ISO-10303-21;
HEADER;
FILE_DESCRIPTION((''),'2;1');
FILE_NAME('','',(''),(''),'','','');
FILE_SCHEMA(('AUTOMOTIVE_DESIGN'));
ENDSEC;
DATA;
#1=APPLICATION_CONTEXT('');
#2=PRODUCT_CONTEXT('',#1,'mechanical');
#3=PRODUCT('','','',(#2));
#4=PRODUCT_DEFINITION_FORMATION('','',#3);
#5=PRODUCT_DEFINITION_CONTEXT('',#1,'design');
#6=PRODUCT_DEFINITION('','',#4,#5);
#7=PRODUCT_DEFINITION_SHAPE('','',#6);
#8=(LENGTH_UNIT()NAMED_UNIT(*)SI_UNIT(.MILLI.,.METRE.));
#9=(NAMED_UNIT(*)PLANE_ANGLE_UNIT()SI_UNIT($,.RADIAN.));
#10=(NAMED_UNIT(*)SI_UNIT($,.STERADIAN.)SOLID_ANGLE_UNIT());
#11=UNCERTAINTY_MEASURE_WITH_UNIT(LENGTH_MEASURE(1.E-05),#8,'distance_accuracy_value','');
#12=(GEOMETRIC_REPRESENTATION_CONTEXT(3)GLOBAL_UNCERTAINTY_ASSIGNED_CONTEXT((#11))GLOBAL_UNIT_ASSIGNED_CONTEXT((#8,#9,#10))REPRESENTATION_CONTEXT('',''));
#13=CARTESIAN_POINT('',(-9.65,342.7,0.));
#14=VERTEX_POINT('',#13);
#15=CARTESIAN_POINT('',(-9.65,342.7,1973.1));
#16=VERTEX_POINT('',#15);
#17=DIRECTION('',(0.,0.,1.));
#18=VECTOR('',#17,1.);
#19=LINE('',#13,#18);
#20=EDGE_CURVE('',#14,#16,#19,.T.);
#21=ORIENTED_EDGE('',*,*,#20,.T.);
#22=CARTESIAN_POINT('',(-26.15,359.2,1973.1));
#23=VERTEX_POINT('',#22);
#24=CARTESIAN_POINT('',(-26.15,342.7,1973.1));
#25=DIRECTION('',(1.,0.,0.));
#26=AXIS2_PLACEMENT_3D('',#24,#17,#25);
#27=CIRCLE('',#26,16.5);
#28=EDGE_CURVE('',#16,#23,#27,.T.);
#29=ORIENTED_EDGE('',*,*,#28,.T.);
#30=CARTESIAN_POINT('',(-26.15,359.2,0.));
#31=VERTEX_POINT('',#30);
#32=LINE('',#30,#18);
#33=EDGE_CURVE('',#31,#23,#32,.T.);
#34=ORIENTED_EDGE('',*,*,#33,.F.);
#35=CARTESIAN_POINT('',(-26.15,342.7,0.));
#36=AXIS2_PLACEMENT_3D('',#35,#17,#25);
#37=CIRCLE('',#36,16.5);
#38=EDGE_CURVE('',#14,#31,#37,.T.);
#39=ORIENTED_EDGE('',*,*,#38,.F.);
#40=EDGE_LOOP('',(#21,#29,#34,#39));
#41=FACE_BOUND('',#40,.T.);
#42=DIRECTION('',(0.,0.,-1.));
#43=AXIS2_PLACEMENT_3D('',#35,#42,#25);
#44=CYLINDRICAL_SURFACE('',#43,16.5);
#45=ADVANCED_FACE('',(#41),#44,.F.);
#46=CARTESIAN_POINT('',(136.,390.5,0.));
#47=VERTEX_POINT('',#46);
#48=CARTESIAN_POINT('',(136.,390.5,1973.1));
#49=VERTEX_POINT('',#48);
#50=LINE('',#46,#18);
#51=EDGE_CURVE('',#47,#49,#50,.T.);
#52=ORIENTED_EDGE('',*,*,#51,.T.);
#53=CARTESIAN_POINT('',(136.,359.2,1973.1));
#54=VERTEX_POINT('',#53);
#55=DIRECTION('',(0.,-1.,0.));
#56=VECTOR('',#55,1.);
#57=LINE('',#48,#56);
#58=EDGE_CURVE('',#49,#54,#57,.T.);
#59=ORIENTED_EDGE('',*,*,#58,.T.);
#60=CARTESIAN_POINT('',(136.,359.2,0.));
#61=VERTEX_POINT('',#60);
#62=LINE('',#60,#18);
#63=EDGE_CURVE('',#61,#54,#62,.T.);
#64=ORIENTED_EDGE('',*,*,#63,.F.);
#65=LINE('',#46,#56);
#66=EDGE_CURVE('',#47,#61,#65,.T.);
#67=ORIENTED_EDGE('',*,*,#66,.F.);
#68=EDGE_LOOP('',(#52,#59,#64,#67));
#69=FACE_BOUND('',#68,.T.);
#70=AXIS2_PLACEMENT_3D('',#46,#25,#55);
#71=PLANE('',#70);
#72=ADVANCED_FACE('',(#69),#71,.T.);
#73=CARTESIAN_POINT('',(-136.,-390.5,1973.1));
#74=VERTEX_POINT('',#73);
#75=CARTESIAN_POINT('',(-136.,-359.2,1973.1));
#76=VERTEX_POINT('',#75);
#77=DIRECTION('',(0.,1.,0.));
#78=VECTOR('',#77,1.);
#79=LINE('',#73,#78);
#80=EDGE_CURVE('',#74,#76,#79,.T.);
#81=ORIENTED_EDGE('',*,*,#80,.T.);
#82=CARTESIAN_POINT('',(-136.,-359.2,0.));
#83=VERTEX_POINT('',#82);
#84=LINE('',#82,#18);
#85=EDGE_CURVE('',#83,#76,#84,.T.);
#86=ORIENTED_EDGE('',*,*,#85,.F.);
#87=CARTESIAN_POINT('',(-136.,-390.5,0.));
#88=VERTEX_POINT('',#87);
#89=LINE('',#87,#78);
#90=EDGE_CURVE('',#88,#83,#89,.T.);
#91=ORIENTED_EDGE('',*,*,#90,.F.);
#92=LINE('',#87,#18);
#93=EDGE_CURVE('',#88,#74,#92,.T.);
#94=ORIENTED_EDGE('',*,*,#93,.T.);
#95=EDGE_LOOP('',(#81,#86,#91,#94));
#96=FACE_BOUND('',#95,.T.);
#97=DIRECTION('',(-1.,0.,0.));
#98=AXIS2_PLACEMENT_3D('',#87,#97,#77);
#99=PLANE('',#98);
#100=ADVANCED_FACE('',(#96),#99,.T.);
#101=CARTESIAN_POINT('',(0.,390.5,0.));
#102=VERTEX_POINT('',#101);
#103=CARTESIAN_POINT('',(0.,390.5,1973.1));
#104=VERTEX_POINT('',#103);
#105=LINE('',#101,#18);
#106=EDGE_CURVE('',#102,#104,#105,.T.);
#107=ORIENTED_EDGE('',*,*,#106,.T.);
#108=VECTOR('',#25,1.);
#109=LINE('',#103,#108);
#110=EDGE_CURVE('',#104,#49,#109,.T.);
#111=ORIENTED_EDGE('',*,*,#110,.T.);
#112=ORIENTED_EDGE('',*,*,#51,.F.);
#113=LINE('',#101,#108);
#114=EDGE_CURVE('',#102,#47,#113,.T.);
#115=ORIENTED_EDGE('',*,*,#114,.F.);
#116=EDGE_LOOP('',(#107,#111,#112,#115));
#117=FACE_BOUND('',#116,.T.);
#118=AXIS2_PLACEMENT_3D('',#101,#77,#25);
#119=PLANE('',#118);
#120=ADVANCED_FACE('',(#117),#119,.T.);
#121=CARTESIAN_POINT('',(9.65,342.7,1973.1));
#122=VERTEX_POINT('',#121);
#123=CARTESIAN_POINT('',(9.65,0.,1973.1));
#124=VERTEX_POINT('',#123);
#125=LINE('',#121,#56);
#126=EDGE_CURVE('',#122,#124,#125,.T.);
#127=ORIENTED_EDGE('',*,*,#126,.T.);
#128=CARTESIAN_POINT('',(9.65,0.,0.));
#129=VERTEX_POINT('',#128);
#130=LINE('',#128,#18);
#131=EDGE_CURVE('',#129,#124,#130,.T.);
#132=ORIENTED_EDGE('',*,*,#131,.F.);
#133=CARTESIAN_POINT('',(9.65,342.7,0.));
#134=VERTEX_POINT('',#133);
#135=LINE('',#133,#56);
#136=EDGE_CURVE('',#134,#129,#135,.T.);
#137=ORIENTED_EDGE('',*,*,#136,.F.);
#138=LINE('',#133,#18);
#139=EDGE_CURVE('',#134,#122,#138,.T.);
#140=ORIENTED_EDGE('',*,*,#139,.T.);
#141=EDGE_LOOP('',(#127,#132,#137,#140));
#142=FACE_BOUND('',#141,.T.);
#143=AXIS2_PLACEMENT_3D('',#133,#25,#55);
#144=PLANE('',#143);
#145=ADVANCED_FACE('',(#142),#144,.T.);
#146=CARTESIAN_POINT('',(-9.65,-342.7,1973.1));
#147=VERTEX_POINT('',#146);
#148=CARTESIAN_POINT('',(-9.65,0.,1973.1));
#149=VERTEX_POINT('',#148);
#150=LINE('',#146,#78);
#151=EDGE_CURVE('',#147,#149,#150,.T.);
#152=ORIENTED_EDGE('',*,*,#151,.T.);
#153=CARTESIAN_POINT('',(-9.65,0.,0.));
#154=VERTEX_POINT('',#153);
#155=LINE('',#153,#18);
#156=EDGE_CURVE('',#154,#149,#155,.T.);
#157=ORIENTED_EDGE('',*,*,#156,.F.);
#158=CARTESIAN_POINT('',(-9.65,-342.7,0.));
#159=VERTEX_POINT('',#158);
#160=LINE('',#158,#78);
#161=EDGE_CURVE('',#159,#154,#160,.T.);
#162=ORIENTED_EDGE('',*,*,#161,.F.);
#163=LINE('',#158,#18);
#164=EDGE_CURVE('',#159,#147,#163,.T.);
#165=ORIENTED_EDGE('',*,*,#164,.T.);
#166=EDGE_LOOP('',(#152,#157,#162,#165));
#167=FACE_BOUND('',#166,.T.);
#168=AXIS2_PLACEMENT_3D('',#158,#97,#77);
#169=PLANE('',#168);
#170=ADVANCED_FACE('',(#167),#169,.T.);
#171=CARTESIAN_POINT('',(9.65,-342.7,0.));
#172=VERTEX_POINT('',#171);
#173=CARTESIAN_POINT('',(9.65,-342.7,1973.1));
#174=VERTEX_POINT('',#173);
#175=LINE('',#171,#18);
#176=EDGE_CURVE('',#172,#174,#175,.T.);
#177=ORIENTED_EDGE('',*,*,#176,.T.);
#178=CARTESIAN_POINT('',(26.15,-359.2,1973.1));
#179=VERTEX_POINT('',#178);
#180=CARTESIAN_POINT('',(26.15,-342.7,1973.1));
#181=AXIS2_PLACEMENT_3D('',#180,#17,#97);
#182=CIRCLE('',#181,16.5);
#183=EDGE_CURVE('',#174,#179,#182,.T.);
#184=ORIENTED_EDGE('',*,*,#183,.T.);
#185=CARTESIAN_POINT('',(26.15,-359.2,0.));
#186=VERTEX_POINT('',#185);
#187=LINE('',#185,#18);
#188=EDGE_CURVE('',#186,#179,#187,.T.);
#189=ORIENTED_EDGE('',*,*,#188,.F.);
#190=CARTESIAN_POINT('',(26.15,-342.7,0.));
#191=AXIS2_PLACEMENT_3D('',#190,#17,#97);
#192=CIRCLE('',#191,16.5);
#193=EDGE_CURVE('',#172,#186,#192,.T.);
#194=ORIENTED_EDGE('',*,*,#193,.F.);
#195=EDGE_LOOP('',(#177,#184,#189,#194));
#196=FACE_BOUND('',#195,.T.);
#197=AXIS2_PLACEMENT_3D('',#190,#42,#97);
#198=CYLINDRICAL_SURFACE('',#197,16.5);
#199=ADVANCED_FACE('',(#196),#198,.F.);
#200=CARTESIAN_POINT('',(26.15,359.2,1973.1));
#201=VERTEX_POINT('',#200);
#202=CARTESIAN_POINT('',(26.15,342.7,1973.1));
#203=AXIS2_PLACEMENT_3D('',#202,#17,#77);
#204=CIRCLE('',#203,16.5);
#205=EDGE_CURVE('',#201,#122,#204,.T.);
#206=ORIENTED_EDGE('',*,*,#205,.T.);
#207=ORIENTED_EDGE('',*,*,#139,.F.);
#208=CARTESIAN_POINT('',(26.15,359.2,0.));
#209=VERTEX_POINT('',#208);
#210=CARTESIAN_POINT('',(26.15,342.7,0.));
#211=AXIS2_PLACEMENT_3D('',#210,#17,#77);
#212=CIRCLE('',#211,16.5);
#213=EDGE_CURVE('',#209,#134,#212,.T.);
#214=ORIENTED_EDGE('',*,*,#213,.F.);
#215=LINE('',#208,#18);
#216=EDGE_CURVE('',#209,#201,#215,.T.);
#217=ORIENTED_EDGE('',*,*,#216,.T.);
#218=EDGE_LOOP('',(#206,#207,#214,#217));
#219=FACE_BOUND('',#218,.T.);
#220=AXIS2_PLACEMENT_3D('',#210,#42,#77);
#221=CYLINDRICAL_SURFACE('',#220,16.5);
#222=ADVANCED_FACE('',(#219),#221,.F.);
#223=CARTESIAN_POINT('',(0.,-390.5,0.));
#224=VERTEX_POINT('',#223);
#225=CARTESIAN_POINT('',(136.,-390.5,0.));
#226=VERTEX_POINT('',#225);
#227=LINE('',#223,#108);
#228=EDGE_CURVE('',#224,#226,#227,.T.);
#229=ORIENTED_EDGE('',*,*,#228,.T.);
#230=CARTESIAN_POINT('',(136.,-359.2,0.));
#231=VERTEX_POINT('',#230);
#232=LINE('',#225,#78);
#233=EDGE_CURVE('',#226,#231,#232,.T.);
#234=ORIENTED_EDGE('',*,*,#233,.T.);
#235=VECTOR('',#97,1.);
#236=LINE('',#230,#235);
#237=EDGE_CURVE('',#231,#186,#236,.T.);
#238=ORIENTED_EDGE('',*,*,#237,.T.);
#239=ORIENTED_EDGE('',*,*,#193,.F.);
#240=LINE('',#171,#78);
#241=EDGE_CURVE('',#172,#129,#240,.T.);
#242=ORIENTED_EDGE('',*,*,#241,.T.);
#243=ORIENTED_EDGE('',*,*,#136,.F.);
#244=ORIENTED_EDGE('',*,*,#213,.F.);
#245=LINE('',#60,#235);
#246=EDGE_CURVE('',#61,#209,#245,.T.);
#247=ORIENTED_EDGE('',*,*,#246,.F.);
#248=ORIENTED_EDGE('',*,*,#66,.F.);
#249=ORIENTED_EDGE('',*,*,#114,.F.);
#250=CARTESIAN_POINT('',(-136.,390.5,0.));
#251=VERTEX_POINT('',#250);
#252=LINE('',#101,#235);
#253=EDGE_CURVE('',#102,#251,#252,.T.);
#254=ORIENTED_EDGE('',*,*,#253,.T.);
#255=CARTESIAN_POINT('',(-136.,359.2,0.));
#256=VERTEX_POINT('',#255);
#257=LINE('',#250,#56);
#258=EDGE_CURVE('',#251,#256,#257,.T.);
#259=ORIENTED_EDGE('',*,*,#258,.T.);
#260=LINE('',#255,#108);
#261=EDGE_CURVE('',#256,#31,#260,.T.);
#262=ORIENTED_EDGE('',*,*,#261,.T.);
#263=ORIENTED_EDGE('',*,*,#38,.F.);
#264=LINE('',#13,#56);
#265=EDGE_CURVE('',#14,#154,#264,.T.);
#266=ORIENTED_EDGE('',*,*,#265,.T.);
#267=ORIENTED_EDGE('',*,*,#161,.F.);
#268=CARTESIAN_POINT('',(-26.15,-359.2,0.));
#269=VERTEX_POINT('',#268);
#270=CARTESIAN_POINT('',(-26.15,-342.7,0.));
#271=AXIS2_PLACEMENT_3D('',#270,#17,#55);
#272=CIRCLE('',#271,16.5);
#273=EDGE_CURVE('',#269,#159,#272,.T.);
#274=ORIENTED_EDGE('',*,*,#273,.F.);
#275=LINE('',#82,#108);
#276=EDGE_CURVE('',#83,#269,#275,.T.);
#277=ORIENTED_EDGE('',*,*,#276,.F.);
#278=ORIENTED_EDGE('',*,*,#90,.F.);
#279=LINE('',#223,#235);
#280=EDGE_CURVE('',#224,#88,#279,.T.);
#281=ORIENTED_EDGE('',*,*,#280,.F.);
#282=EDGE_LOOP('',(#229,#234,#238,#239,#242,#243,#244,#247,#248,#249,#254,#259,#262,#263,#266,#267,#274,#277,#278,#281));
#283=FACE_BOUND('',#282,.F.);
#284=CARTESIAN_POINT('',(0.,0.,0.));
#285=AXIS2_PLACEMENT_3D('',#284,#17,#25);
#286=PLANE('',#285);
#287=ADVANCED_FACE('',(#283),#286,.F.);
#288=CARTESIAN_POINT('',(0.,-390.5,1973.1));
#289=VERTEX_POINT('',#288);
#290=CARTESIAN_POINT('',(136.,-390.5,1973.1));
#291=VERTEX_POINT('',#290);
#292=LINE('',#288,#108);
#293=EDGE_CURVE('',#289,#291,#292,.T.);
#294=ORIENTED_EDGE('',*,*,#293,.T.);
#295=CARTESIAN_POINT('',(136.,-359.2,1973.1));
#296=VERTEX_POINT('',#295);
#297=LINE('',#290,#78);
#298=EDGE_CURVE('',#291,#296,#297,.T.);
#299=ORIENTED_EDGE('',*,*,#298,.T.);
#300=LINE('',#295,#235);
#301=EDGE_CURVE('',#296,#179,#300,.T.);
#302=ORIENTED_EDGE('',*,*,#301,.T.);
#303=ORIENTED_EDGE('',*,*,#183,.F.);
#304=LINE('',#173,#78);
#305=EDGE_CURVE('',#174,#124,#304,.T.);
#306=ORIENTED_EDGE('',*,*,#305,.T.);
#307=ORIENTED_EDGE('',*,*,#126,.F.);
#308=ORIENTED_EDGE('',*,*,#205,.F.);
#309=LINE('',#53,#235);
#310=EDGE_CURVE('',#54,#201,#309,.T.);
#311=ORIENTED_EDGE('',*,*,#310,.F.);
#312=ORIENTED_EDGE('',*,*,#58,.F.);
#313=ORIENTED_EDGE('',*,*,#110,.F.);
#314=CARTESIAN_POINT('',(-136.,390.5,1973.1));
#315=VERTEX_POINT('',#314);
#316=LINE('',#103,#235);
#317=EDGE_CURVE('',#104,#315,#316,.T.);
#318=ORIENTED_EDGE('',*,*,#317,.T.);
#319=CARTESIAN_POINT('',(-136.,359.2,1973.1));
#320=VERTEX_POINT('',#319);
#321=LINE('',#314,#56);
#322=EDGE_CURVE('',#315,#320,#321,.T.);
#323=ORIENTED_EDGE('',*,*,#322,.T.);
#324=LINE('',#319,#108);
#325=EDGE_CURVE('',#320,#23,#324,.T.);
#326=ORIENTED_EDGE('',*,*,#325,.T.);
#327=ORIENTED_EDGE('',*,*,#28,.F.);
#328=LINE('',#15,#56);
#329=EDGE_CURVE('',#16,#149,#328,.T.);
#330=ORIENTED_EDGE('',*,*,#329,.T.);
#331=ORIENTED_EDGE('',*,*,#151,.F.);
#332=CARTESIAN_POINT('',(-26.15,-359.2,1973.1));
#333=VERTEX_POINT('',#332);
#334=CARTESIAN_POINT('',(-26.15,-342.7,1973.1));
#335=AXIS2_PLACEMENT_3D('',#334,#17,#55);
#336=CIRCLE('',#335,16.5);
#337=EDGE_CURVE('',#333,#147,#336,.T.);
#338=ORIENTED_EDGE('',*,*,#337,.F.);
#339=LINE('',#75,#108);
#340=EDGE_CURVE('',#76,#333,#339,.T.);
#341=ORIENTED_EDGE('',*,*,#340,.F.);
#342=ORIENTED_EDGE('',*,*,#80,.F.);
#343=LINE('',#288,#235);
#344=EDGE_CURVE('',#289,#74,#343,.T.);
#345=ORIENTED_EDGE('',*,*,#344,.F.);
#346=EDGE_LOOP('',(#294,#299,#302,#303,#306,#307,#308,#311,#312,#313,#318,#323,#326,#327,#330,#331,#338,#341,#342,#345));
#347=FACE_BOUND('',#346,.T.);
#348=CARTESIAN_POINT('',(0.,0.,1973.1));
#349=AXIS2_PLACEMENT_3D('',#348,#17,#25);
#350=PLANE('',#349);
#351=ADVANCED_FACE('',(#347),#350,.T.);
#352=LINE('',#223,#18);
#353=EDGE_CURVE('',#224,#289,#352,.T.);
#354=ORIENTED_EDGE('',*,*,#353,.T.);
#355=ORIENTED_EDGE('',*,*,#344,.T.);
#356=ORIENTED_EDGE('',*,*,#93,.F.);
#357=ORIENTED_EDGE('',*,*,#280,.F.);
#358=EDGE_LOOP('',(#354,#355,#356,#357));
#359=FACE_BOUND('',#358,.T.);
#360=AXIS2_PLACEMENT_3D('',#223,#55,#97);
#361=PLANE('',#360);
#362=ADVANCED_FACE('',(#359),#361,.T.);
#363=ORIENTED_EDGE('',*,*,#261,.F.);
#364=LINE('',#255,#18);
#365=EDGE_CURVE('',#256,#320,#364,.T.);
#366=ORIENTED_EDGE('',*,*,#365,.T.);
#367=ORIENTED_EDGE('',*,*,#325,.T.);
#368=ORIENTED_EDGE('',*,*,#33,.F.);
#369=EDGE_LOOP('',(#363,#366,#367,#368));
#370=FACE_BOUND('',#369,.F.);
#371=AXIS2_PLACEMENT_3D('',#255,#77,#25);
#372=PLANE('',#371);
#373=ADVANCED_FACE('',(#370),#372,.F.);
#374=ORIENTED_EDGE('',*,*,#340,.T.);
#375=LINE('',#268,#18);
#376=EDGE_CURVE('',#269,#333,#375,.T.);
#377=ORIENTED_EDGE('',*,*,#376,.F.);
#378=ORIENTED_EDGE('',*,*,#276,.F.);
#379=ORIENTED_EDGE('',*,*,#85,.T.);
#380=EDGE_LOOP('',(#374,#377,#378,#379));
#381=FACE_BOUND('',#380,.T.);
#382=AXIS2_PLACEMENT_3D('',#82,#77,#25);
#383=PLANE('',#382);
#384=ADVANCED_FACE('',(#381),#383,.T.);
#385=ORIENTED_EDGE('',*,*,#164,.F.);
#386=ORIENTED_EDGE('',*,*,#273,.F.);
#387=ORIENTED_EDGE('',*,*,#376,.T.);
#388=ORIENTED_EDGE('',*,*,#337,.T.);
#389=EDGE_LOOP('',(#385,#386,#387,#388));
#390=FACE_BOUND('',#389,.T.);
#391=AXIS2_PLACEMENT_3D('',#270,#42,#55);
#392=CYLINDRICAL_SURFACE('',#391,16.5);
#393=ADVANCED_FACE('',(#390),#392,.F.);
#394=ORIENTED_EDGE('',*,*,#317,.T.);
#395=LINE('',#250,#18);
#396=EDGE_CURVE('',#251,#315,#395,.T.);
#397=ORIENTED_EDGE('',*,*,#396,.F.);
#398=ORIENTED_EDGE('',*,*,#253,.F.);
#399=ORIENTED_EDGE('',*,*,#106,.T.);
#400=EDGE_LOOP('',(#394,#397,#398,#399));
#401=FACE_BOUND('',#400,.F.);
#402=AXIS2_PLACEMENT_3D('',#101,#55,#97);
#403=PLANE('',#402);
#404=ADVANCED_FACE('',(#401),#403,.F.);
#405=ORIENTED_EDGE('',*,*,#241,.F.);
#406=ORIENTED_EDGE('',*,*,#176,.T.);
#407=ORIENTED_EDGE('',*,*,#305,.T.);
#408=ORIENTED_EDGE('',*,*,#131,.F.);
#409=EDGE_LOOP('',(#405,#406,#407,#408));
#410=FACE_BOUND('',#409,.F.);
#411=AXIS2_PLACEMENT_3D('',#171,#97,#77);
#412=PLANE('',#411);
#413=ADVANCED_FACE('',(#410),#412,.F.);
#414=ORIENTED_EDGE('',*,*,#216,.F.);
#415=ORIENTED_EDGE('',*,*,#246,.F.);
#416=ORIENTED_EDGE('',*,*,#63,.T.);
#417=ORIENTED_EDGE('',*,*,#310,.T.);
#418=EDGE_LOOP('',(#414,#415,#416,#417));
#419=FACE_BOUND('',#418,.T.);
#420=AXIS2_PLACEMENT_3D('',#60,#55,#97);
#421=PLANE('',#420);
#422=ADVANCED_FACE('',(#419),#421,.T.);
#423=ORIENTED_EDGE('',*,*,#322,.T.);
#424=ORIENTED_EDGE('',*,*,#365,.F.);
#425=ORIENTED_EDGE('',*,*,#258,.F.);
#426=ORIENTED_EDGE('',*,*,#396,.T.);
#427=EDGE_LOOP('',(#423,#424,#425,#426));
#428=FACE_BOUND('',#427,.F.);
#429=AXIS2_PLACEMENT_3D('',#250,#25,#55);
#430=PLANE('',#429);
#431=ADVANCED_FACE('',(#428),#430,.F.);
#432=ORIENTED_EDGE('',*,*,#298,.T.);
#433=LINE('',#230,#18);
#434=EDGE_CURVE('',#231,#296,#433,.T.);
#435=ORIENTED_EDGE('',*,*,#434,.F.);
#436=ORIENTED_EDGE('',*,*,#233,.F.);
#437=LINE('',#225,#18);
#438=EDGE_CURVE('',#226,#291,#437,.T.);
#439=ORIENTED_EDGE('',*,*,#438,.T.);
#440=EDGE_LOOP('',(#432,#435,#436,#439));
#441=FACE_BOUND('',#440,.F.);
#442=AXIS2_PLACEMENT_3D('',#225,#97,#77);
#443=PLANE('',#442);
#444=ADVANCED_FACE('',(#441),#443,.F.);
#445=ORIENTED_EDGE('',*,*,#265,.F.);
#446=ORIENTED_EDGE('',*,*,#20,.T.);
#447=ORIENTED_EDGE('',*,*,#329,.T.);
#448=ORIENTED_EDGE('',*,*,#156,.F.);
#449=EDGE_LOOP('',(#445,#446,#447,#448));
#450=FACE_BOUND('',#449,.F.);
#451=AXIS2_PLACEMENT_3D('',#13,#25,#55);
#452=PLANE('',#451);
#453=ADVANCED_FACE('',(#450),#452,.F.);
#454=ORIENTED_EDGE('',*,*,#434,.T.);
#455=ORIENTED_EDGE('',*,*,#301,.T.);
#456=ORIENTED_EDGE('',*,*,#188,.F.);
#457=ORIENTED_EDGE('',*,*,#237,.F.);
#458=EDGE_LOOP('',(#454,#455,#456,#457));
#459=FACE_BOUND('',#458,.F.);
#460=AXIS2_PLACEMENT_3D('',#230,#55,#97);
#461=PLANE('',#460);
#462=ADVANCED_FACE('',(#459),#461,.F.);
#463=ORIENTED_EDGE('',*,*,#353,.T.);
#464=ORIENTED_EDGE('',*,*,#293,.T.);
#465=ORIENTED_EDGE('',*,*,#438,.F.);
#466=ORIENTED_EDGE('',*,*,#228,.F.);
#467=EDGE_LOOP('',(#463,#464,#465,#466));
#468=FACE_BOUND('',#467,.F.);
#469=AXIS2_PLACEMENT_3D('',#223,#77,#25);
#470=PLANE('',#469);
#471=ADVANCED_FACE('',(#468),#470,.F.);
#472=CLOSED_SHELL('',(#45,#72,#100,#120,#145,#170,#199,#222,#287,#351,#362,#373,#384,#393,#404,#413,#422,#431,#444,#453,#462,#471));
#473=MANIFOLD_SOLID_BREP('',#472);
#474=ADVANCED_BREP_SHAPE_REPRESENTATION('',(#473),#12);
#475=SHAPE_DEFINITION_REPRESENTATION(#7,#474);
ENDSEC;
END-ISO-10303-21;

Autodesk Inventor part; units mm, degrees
ref_plane "YZ Plane" through (0, 0, 0) normal (1, 0, 0) x (0, 1, 0)
ref_plane "Start plane" through (0, 0, 0) normal (0, 0, 1) x (1, 0, 0)
ref_plane "End plane" through (0, 0, 1973.1) normal (0, 0, 1) x (1, 0, 0)
sketch "Sketch" plane through (0, 0, 0) normal (0, 0, 1) x (1, 0, 0)
  line L0 (-136, -390.5) -> (-136, -359.2)
  line L1 (-136, -359.2) -> (-26.15, -359.2)
  line L2 (-9.65, -342.7) -> (-9.65, 0)
  line L3 (-9.65, 0) -> (0, 0) construction
  line L4 (0, 0) -> (0, -390.5) construction
  line L5 (0, -390.5) -> (-136, -390.5)
  line L6 (-60, 0) -> (80, 0) construction
  line L7 (0, -60) -> (0, 80) construction
  line L8 (136, -390.5) -> (136, -359.2)
  line L9 (136, -359.2) -> (26.15, -359.2)
  line L10 (9.65, -342.7) -> (9.65, 0)
  line L11 (9.65, 0) -> (0, 0) construction
  line L12 (0, -390.5) -> (136, -390.5)
  line L13 (-136, 390.5) -> (-136, 359.2)
  line L14 (-136, 359.2) -> (-26.15, 359.2)
  line L15 (-9.65, 342.7) -> (-9.65, 0)
  line L16 (0, 390.5) -> (-136, 390.5)
  line L17 (136, 390.5) -> (136, 359.2)
  line L18 (136, 359.2) -> (26.15, 359.2)
  line L19 (0, 390.5) -> (136, 390.5)
  line L20 (9.65, 342.7) -> (9.65, 0)
  arc A0 (-9.65, 342.7) -> (-26.15, 359.2) centre (-26.15, 342.7) ccw
  arc A1 (26.15, 359.2) -> (9.65, 342.7) centre (26.15, 342.7) ccw
  arc A2 (9.65, -342.7) -> (26.15, -359.2) centre (26.15, -342.7) ccw
  arc A3 (-26.15, -359.2) -> (-9.65, -342.7) centre (-26.15, -342.7) ccw
  line L21 (0, 108) -> (0, -88) construction
  line L22 (-88, 0) -> (108, 0) construction
  point P0 (-9.65, -359.2)
  point P1 (9.65, -359.2)
  point P2 (-9.65, 359.2)
  point P3 (9.65, 359.2)
  dimension "d1" = 390.5
  dimension "d2" = 31.3
  dimension "d3" = 136
  dimension "d4" = 9.65
  dimension "d10" = 16.5
extrude "Body" add sketch "Sketch" along normal up to surface (1973.1 mm away) from surface at 0
sketch "Sketch4" plane through (0, 0, 0) normal (0, 0, 1) x (1, 0, 0)
  line L0 (0, 0) -> (10, 0)
ref_plane "Work Plane3" through (0, 0, 0) normal (0, -1, 0) x (1, 0, 0)
sketch "Sketch5" plane through (0, 0, 0) normal (0, -1, 0) x (1, 0, 0)
  line L0 (-2, 0) -> (12, 0) projected
  line L1 (-2, 1973.1) -> (12, 1973.1) projected
  dimension "d14" = 1973.1
equation "\"d1\" = 0.5 * G_H"
equation "\"d2\" = G_T1"
equation "\"d3\" = 0.5 * G_W"
equation "\"d4\" = 0.5 * G_T"
equation "\"d10\" = G_IR"
equation "\"d5\" = G_L"
equation "\"G_W\" = 272"
equation "\"G_H\" = 781"
equation "\"G_T\" = 19.3"
equation "\"G_T1\" = 31.3"
equation "\"G_IR\" = 16.5"
equation "\"G_L\" = d14"
equation "\"G_OFFSET_START\" = 0"
equation "\"G_OFFSET_END\" = 0"
equation "\"d12\" = G_OFFSET_END + B_L"
equation "\"B_L\" = 1973.1"
properties part number "AS 3679-1990 - 760 UB - 244 - 1973.1" material "Steel, Mild"
